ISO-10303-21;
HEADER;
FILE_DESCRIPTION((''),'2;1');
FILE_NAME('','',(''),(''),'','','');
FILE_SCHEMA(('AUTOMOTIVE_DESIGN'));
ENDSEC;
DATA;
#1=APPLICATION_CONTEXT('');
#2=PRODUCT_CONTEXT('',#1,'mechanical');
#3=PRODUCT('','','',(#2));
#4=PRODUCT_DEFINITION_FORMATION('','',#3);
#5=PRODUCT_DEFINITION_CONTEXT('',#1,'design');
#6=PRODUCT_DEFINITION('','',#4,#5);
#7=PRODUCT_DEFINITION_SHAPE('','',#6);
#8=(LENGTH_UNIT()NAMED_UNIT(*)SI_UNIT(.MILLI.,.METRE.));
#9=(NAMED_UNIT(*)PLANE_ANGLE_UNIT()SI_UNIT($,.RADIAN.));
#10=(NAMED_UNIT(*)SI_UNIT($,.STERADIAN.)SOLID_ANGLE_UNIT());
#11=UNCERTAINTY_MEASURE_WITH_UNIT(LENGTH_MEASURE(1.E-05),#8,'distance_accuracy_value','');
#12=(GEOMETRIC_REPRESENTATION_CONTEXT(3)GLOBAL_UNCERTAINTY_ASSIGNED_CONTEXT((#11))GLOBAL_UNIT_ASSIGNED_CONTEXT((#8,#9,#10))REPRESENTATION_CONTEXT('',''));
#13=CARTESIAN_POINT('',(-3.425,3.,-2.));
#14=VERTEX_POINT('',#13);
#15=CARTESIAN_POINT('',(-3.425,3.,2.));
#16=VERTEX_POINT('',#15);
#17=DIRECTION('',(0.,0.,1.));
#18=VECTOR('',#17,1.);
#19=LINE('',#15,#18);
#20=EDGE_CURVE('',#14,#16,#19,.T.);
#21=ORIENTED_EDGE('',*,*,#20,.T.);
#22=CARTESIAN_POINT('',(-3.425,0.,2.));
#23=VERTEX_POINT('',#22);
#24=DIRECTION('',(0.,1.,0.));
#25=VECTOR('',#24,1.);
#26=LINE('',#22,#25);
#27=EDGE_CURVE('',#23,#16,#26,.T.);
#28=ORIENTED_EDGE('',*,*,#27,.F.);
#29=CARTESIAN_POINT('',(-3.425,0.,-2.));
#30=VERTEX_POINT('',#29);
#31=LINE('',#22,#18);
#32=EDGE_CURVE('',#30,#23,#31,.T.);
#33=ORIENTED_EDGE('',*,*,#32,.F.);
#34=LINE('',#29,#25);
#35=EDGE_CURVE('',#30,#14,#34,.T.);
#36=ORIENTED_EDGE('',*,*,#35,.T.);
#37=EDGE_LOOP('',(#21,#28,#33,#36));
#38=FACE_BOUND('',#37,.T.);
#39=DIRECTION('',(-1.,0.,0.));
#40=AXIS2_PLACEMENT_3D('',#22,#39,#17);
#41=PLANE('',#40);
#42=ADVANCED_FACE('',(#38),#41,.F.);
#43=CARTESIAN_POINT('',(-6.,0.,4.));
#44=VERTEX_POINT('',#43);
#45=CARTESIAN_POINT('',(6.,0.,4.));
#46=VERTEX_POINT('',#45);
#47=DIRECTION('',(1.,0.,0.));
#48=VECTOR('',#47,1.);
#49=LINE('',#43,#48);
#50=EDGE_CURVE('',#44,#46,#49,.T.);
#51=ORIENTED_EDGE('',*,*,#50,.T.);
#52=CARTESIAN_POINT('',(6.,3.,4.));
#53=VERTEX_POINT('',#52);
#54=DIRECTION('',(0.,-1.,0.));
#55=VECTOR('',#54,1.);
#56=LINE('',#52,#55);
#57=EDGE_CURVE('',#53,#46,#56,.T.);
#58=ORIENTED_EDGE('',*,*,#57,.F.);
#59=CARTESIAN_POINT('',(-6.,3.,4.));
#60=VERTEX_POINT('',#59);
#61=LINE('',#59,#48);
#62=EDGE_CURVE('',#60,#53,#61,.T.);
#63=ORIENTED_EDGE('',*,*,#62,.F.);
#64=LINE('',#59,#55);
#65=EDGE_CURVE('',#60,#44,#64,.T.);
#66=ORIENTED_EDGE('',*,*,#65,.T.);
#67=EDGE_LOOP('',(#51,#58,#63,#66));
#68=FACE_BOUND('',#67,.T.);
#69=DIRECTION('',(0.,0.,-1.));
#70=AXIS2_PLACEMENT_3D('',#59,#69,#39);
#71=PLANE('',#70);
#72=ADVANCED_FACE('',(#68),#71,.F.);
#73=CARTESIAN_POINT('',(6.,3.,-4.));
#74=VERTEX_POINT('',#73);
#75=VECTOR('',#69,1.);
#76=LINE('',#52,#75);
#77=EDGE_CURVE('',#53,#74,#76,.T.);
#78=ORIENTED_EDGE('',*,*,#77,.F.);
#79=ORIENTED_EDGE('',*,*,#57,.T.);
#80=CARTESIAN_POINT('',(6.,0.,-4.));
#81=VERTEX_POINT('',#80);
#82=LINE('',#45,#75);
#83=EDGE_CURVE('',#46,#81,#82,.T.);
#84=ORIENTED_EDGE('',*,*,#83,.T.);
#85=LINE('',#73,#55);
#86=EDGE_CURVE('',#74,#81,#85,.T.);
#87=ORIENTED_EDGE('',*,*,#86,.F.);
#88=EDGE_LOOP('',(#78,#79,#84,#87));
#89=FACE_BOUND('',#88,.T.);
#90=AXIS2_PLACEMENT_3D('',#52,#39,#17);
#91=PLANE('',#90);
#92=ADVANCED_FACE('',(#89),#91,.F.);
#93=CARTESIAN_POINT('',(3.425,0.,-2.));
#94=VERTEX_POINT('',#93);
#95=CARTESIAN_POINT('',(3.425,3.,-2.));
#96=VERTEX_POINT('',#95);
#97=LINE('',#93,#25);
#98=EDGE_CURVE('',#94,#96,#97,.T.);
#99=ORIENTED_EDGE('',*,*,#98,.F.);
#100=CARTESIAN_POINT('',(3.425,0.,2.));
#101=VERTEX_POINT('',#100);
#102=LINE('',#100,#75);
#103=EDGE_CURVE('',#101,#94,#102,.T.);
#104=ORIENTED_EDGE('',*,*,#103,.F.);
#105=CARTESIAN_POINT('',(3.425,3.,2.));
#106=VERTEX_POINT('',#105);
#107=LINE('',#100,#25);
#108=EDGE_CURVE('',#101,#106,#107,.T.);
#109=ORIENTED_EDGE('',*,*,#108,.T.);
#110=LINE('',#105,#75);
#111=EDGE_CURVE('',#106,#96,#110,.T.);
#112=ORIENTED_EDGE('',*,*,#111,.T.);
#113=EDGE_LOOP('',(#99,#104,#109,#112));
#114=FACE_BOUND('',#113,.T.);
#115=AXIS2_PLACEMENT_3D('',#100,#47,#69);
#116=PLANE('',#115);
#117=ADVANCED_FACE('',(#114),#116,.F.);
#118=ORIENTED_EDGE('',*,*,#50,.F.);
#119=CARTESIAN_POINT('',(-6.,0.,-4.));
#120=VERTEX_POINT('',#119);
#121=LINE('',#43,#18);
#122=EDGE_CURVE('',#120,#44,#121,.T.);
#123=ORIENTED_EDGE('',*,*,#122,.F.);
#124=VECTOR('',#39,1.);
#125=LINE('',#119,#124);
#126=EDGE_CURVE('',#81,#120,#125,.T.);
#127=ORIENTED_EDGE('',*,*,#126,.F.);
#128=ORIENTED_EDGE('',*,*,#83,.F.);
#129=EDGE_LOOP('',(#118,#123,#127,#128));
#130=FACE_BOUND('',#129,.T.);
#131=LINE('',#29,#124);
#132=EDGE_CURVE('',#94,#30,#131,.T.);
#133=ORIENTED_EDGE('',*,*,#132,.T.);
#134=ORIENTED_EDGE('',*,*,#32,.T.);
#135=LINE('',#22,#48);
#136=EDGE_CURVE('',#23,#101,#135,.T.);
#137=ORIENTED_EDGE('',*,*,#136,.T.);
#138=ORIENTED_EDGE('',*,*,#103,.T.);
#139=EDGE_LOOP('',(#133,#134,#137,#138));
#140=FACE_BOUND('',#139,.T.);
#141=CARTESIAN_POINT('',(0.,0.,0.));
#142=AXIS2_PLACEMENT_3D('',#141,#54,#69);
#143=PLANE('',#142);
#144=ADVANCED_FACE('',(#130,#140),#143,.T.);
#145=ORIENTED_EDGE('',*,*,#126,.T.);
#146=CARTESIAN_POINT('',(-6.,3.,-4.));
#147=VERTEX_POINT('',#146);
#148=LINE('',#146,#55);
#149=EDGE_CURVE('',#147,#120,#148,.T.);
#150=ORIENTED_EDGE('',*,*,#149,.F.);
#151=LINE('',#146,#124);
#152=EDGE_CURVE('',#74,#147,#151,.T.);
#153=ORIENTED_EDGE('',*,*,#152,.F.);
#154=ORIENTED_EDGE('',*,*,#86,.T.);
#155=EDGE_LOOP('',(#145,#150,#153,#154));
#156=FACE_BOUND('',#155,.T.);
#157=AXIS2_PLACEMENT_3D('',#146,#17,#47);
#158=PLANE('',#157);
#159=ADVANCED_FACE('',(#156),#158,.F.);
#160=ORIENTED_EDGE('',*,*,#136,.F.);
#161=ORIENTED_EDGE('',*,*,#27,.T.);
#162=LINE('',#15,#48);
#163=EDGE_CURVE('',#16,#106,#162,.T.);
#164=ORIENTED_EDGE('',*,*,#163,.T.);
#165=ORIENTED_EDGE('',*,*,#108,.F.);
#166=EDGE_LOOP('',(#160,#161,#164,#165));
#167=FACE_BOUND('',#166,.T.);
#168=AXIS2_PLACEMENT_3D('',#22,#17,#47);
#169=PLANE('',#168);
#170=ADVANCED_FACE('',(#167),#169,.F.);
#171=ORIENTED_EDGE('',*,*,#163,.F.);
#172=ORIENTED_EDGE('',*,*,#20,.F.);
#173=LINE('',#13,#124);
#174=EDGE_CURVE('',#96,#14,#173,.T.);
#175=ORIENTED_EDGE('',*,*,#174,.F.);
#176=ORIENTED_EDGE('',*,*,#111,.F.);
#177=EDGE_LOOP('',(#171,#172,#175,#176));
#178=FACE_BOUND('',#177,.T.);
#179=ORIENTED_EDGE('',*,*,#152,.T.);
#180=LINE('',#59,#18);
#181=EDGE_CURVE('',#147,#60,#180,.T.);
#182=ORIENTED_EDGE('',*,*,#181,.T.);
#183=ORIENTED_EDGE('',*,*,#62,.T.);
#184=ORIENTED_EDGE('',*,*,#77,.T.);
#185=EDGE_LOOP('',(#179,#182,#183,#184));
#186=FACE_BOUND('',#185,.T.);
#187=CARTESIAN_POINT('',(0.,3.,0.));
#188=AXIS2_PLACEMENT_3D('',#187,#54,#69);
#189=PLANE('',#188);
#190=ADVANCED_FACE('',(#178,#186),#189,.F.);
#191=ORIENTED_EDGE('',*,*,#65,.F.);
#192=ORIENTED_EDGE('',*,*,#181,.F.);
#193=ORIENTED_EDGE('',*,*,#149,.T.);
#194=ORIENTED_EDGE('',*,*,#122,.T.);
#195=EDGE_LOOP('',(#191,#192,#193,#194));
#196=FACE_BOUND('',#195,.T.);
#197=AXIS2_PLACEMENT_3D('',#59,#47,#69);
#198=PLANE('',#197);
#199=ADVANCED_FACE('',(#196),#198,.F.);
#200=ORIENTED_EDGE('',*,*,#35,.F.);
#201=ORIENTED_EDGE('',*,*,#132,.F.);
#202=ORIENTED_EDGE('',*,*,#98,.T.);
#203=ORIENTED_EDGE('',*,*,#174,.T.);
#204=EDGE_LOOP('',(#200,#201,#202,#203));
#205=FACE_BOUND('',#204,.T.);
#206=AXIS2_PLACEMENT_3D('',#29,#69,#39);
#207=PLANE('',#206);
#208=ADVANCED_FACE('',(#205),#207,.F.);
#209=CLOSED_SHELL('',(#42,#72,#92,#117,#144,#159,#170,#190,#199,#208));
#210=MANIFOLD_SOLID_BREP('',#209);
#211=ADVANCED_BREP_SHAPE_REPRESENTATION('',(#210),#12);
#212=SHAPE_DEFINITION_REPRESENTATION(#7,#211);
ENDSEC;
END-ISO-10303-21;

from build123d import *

# Parameters (mm, degrees)
SKETCH1_W           = 12
SKETCH1_H           = 8
BOSS_EXTRUDE1_DEPTH = 3
SKETCH2_W           = 6.85
SKETCH2_H           = 4
CUT_EXTRUDE1_DEPTH  = 3


with BuildPart() as part:
    # Sketch1 → Boss-Extrude1 (new body)
    with BuildSketch(Plane(origin=(0, 0, 0), x_dir=(1, 0, 0), z_dir=(0, 1, 0))):
        Rectangle(SKETCH1_W, SKETCH1_H)
    extrude(amount=BOSS_EXTRUDE1_DEPTH)

    # Sketch2 → Cut-Extrude1 (cut)
    with BuildSketch(Plane(origin=(0, 3, 0), x_dir=(1, 0, 0), z_dir=(0, 1, 0))):
        Rectangle(SKETCH2_W, SKETCH2_H)
    extrude(amount=-CUT_EXTRUDE1_DEPTH, mode=Mode.SUBTRACT)


solid = part.part
